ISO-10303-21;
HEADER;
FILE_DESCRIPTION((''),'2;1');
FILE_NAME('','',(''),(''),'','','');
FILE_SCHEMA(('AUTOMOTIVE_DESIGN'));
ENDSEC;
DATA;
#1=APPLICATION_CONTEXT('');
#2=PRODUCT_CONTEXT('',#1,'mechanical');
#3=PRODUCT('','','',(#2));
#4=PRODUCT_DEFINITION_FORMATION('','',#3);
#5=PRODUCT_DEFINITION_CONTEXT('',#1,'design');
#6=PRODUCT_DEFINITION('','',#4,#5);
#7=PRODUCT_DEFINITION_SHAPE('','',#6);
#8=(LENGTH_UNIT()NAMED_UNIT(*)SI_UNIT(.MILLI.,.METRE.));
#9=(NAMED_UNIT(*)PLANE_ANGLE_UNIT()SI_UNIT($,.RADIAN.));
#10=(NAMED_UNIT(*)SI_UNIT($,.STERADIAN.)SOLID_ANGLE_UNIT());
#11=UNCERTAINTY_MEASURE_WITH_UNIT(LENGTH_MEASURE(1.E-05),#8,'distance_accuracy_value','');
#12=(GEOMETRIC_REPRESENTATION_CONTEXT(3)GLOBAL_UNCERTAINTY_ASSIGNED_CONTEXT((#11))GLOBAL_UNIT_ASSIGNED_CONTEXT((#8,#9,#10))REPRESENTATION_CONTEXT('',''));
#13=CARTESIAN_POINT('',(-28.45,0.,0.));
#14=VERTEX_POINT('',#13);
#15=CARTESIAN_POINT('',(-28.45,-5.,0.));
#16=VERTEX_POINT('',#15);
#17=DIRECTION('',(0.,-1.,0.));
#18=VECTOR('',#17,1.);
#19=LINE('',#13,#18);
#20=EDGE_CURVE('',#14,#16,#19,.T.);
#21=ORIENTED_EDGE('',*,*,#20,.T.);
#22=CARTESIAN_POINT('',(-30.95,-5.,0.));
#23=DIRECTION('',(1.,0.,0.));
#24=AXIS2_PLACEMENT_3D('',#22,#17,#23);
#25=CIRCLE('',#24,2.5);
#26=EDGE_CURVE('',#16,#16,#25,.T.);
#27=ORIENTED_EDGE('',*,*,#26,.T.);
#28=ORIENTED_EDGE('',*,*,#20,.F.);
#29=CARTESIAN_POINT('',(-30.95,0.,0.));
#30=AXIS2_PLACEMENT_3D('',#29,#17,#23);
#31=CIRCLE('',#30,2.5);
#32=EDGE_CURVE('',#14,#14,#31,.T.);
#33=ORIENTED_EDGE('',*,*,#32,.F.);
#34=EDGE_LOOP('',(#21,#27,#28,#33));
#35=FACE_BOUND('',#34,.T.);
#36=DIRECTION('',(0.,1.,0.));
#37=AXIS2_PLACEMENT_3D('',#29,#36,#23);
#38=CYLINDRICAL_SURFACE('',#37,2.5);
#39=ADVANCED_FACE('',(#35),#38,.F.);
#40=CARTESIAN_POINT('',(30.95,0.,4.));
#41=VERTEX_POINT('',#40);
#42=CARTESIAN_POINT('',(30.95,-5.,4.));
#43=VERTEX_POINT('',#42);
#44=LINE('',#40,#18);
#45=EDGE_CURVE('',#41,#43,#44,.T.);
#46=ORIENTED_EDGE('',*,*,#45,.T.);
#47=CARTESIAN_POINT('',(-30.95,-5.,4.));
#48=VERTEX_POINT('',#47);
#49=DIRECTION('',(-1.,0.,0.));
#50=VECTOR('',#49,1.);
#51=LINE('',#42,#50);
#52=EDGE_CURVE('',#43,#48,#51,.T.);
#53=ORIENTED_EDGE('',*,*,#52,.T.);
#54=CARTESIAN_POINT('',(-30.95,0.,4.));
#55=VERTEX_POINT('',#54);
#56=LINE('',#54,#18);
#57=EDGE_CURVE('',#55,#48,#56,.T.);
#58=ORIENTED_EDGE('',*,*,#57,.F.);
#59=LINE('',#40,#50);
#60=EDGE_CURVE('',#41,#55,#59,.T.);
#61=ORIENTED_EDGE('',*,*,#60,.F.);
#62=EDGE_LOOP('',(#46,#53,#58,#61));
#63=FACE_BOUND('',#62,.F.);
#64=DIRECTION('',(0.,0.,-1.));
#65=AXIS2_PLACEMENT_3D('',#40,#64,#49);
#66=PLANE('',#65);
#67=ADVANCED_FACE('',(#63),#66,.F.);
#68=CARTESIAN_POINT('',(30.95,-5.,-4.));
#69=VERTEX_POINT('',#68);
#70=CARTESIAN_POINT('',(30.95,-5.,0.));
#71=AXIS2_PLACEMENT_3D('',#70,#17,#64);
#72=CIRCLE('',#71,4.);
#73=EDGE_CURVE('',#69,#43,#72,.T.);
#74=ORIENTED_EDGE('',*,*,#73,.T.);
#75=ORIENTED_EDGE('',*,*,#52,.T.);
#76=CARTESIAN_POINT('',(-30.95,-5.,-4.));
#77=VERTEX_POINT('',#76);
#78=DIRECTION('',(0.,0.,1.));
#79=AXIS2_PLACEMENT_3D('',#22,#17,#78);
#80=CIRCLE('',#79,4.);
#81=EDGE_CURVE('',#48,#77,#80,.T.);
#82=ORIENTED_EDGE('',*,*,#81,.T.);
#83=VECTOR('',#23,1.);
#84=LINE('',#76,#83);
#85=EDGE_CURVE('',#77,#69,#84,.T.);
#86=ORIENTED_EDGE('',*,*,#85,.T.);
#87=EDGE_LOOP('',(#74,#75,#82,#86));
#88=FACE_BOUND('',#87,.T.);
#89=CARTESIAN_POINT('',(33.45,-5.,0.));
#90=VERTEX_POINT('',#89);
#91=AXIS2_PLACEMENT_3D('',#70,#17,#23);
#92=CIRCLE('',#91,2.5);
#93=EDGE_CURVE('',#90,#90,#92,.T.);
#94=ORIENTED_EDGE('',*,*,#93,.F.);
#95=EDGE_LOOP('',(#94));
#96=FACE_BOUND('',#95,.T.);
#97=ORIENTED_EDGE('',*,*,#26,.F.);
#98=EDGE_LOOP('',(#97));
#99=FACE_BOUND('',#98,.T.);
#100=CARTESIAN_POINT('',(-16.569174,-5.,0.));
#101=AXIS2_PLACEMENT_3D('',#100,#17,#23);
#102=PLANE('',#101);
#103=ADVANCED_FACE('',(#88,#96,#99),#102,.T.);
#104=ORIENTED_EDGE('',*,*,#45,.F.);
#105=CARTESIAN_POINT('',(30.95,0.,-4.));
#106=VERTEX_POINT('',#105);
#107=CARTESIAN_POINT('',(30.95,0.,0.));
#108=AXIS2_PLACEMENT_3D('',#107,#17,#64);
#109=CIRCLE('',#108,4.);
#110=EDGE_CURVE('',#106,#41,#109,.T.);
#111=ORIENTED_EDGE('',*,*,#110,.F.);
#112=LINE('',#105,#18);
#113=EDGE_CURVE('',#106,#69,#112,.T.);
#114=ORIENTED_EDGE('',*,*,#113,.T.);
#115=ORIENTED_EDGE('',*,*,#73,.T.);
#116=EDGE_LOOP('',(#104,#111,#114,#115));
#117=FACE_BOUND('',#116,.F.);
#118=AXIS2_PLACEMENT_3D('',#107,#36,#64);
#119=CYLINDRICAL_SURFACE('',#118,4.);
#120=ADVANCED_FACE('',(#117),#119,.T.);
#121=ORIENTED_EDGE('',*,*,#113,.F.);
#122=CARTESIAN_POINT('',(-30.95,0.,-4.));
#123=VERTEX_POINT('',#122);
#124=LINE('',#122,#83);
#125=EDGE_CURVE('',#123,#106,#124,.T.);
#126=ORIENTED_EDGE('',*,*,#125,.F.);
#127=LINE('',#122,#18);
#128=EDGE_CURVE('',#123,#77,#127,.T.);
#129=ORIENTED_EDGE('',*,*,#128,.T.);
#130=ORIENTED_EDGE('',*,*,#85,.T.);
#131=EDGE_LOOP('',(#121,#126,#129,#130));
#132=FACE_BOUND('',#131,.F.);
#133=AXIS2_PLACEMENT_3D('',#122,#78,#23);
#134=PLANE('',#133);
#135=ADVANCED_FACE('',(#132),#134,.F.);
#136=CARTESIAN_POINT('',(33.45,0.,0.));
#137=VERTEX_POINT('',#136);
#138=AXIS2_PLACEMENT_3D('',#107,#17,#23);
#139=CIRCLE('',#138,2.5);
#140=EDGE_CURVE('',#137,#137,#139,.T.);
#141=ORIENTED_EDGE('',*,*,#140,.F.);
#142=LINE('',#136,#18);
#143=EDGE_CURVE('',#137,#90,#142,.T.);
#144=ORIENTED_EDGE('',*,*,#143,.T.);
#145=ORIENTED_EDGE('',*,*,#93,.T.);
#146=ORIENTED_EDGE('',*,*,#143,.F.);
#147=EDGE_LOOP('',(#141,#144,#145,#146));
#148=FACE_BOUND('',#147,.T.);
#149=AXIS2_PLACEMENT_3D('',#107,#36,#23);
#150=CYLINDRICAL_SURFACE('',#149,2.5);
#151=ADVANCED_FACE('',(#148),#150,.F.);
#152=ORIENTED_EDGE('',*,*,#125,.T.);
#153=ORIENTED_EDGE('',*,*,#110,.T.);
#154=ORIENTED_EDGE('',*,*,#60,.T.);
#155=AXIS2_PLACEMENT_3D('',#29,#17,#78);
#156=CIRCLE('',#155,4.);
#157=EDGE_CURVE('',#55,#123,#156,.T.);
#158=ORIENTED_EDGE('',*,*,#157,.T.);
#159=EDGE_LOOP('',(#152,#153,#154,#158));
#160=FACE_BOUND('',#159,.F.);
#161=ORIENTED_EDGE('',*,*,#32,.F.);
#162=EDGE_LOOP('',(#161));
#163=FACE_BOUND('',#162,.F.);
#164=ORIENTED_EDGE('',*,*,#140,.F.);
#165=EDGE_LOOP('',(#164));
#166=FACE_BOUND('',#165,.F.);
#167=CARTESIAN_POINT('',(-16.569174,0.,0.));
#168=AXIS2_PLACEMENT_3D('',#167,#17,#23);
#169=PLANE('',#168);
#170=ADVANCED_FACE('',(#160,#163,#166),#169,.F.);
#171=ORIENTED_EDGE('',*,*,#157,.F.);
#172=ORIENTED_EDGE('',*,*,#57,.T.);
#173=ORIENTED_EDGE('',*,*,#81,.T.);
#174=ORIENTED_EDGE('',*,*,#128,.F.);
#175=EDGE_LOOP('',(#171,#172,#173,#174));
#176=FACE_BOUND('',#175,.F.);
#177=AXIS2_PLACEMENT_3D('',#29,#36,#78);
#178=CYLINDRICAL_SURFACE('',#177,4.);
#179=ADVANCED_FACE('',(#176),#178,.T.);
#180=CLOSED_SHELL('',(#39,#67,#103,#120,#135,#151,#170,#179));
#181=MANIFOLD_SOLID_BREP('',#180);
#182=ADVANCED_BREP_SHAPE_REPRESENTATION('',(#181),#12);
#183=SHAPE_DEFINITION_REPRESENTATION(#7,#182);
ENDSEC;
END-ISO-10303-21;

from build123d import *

# Parameters (mm, degrees)
F0_R     = 2.5
F1_DEPTH = 5


with BuildPart() as f1:
    # F0 (on Front) → F1 (new body)
    with BuildSketch(Plane.XZ):
        with BuildLine():
            Line((0, 4), (-30.95, 4))
            ThreePointArc((-30.95, 4), (-34.95, 0), (-30.95, -4))
            Line((-30.95, -4), (0, -4))
            Line((0, -4), (0, 4))
        make_face()
        with Locations((-30.95, 0)):
            Circle(F0_R, mode=Mode.SUBTRACT)
        with BuildLine():
            Line((30.95, 4), (0, 4))
            Line((0, 4), (0, -4))
            Line((0, -4), (30.95, -4))
            ThreePointArc((30.95, -4), (34.95, 0), (30.95, 4))
        make_face()
        with Locations((30.95, 0)):
            Circle(F0_R, mode=Mode.SUBTRACT)
    extrude(amount=F1_DEPTH)


solid = f1.part
